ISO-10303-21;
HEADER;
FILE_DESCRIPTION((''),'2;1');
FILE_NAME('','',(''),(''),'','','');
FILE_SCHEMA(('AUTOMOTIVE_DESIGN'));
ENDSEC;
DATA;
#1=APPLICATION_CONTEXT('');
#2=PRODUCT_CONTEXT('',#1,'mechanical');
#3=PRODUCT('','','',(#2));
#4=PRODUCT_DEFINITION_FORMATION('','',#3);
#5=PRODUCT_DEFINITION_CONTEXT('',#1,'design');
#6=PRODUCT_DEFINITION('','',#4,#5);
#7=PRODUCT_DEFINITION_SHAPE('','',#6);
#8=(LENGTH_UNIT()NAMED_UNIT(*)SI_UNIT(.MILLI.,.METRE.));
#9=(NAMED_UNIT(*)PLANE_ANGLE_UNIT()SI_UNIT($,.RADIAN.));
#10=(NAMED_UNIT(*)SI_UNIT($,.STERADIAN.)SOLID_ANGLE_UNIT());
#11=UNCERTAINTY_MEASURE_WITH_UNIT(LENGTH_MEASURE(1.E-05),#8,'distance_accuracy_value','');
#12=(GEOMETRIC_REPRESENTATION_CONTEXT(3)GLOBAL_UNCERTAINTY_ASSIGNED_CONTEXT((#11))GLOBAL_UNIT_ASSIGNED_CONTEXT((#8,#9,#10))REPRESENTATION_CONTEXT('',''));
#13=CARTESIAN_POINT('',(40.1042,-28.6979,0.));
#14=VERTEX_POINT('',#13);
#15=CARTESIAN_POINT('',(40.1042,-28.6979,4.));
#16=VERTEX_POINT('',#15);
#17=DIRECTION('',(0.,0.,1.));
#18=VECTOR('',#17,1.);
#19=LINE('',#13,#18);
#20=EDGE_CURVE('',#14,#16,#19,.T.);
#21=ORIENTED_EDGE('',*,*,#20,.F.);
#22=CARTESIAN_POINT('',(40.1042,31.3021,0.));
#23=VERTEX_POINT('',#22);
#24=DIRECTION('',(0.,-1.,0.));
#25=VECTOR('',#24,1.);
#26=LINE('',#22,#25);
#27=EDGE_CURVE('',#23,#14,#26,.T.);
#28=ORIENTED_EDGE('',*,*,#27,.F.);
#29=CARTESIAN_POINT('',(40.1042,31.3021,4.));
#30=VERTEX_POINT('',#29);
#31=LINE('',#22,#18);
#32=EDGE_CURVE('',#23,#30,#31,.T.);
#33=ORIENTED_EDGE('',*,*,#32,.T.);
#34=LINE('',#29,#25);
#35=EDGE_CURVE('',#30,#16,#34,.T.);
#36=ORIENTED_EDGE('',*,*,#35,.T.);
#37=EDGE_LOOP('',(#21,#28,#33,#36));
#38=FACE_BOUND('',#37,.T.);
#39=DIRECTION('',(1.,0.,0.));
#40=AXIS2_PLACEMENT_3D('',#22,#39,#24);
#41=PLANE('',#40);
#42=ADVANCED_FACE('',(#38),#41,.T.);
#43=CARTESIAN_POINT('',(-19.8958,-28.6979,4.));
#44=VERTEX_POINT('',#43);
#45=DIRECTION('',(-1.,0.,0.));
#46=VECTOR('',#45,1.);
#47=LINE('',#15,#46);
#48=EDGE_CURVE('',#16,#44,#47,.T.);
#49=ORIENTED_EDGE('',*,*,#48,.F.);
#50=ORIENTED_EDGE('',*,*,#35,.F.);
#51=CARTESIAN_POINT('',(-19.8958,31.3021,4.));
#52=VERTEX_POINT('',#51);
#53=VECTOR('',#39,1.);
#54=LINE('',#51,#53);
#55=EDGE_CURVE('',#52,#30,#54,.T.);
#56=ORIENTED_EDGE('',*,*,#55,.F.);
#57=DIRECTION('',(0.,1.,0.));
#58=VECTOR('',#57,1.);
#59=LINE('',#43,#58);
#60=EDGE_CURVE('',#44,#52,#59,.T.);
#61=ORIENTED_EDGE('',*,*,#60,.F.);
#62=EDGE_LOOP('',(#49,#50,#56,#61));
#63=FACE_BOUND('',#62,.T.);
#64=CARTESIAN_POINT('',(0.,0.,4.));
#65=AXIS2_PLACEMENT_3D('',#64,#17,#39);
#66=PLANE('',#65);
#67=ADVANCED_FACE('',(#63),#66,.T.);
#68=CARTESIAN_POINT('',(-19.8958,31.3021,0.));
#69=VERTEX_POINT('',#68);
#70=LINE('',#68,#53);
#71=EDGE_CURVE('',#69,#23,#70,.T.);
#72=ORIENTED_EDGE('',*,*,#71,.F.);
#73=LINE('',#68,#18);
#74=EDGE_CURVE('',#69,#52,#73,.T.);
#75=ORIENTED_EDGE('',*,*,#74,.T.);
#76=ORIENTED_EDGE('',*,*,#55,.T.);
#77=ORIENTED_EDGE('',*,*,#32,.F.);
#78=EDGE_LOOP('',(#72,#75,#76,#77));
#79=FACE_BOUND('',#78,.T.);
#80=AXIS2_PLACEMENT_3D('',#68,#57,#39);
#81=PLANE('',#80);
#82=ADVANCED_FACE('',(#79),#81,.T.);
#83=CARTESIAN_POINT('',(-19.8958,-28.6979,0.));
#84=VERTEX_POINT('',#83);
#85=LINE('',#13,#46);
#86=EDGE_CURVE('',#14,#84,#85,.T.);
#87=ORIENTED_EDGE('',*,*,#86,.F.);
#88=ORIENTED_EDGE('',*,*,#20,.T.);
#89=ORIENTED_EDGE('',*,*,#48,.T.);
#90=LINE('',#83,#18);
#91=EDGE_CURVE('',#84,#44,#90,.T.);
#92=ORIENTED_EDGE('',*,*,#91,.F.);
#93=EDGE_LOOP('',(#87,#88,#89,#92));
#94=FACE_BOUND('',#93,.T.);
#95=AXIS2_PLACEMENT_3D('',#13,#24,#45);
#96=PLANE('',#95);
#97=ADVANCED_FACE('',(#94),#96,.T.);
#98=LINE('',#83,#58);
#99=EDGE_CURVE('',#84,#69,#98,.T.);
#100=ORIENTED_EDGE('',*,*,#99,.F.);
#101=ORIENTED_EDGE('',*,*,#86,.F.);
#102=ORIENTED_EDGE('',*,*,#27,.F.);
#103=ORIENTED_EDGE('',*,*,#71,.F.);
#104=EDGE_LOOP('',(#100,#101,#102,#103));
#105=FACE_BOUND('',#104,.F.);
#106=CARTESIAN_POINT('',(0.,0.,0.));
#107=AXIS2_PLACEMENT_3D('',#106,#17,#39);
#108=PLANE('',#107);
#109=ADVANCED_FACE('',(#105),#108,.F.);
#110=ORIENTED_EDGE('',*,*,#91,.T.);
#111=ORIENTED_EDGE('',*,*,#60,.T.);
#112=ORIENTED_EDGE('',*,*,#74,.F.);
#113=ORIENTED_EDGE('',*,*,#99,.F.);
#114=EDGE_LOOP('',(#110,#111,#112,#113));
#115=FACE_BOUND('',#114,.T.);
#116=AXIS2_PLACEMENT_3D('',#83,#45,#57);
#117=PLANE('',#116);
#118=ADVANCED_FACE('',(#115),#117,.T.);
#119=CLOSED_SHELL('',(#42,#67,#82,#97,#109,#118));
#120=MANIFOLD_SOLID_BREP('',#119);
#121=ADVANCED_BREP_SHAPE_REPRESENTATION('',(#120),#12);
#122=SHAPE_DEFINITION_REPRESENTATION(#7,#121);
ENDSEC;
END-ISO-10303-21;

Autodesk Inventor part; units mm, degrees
ref_plane "YZ Plane" through (0, 0, 0) normal (1, 0, 0) x (0, 1, 0)
ref_plane "XZ Plane" through (0, 0, 0) normal (0, 1, 0) x (-1, 0, 0)
ref_plane "XY Plane" through (0, 0, 0) normal (0, 0, 1) x (1, 0, 0)
sketch "Эскиз1" plane through (0, 0, 0) normal (0, 0, 1) x (1, 0, 0)
  line L0 (-19.8958, 31.3021) -> (40.1042, 31.3021)
  line L1 (40.1042, 31.3021) -> (40.1042, -28.6979)
  line L2 (40.1042, -28.6979) -> (-19.8958, -28.6979)
  line L3 (-19.8958, -28.6979) -> (-19.8958, 31.3021)
  point P0 (0, 0)
  dimension "d0" = 60
  dimension "d1" = 60
extrude "Выдавливание1" add sketch "Эскиз1" along normal blind 4
properties part number "plate"
